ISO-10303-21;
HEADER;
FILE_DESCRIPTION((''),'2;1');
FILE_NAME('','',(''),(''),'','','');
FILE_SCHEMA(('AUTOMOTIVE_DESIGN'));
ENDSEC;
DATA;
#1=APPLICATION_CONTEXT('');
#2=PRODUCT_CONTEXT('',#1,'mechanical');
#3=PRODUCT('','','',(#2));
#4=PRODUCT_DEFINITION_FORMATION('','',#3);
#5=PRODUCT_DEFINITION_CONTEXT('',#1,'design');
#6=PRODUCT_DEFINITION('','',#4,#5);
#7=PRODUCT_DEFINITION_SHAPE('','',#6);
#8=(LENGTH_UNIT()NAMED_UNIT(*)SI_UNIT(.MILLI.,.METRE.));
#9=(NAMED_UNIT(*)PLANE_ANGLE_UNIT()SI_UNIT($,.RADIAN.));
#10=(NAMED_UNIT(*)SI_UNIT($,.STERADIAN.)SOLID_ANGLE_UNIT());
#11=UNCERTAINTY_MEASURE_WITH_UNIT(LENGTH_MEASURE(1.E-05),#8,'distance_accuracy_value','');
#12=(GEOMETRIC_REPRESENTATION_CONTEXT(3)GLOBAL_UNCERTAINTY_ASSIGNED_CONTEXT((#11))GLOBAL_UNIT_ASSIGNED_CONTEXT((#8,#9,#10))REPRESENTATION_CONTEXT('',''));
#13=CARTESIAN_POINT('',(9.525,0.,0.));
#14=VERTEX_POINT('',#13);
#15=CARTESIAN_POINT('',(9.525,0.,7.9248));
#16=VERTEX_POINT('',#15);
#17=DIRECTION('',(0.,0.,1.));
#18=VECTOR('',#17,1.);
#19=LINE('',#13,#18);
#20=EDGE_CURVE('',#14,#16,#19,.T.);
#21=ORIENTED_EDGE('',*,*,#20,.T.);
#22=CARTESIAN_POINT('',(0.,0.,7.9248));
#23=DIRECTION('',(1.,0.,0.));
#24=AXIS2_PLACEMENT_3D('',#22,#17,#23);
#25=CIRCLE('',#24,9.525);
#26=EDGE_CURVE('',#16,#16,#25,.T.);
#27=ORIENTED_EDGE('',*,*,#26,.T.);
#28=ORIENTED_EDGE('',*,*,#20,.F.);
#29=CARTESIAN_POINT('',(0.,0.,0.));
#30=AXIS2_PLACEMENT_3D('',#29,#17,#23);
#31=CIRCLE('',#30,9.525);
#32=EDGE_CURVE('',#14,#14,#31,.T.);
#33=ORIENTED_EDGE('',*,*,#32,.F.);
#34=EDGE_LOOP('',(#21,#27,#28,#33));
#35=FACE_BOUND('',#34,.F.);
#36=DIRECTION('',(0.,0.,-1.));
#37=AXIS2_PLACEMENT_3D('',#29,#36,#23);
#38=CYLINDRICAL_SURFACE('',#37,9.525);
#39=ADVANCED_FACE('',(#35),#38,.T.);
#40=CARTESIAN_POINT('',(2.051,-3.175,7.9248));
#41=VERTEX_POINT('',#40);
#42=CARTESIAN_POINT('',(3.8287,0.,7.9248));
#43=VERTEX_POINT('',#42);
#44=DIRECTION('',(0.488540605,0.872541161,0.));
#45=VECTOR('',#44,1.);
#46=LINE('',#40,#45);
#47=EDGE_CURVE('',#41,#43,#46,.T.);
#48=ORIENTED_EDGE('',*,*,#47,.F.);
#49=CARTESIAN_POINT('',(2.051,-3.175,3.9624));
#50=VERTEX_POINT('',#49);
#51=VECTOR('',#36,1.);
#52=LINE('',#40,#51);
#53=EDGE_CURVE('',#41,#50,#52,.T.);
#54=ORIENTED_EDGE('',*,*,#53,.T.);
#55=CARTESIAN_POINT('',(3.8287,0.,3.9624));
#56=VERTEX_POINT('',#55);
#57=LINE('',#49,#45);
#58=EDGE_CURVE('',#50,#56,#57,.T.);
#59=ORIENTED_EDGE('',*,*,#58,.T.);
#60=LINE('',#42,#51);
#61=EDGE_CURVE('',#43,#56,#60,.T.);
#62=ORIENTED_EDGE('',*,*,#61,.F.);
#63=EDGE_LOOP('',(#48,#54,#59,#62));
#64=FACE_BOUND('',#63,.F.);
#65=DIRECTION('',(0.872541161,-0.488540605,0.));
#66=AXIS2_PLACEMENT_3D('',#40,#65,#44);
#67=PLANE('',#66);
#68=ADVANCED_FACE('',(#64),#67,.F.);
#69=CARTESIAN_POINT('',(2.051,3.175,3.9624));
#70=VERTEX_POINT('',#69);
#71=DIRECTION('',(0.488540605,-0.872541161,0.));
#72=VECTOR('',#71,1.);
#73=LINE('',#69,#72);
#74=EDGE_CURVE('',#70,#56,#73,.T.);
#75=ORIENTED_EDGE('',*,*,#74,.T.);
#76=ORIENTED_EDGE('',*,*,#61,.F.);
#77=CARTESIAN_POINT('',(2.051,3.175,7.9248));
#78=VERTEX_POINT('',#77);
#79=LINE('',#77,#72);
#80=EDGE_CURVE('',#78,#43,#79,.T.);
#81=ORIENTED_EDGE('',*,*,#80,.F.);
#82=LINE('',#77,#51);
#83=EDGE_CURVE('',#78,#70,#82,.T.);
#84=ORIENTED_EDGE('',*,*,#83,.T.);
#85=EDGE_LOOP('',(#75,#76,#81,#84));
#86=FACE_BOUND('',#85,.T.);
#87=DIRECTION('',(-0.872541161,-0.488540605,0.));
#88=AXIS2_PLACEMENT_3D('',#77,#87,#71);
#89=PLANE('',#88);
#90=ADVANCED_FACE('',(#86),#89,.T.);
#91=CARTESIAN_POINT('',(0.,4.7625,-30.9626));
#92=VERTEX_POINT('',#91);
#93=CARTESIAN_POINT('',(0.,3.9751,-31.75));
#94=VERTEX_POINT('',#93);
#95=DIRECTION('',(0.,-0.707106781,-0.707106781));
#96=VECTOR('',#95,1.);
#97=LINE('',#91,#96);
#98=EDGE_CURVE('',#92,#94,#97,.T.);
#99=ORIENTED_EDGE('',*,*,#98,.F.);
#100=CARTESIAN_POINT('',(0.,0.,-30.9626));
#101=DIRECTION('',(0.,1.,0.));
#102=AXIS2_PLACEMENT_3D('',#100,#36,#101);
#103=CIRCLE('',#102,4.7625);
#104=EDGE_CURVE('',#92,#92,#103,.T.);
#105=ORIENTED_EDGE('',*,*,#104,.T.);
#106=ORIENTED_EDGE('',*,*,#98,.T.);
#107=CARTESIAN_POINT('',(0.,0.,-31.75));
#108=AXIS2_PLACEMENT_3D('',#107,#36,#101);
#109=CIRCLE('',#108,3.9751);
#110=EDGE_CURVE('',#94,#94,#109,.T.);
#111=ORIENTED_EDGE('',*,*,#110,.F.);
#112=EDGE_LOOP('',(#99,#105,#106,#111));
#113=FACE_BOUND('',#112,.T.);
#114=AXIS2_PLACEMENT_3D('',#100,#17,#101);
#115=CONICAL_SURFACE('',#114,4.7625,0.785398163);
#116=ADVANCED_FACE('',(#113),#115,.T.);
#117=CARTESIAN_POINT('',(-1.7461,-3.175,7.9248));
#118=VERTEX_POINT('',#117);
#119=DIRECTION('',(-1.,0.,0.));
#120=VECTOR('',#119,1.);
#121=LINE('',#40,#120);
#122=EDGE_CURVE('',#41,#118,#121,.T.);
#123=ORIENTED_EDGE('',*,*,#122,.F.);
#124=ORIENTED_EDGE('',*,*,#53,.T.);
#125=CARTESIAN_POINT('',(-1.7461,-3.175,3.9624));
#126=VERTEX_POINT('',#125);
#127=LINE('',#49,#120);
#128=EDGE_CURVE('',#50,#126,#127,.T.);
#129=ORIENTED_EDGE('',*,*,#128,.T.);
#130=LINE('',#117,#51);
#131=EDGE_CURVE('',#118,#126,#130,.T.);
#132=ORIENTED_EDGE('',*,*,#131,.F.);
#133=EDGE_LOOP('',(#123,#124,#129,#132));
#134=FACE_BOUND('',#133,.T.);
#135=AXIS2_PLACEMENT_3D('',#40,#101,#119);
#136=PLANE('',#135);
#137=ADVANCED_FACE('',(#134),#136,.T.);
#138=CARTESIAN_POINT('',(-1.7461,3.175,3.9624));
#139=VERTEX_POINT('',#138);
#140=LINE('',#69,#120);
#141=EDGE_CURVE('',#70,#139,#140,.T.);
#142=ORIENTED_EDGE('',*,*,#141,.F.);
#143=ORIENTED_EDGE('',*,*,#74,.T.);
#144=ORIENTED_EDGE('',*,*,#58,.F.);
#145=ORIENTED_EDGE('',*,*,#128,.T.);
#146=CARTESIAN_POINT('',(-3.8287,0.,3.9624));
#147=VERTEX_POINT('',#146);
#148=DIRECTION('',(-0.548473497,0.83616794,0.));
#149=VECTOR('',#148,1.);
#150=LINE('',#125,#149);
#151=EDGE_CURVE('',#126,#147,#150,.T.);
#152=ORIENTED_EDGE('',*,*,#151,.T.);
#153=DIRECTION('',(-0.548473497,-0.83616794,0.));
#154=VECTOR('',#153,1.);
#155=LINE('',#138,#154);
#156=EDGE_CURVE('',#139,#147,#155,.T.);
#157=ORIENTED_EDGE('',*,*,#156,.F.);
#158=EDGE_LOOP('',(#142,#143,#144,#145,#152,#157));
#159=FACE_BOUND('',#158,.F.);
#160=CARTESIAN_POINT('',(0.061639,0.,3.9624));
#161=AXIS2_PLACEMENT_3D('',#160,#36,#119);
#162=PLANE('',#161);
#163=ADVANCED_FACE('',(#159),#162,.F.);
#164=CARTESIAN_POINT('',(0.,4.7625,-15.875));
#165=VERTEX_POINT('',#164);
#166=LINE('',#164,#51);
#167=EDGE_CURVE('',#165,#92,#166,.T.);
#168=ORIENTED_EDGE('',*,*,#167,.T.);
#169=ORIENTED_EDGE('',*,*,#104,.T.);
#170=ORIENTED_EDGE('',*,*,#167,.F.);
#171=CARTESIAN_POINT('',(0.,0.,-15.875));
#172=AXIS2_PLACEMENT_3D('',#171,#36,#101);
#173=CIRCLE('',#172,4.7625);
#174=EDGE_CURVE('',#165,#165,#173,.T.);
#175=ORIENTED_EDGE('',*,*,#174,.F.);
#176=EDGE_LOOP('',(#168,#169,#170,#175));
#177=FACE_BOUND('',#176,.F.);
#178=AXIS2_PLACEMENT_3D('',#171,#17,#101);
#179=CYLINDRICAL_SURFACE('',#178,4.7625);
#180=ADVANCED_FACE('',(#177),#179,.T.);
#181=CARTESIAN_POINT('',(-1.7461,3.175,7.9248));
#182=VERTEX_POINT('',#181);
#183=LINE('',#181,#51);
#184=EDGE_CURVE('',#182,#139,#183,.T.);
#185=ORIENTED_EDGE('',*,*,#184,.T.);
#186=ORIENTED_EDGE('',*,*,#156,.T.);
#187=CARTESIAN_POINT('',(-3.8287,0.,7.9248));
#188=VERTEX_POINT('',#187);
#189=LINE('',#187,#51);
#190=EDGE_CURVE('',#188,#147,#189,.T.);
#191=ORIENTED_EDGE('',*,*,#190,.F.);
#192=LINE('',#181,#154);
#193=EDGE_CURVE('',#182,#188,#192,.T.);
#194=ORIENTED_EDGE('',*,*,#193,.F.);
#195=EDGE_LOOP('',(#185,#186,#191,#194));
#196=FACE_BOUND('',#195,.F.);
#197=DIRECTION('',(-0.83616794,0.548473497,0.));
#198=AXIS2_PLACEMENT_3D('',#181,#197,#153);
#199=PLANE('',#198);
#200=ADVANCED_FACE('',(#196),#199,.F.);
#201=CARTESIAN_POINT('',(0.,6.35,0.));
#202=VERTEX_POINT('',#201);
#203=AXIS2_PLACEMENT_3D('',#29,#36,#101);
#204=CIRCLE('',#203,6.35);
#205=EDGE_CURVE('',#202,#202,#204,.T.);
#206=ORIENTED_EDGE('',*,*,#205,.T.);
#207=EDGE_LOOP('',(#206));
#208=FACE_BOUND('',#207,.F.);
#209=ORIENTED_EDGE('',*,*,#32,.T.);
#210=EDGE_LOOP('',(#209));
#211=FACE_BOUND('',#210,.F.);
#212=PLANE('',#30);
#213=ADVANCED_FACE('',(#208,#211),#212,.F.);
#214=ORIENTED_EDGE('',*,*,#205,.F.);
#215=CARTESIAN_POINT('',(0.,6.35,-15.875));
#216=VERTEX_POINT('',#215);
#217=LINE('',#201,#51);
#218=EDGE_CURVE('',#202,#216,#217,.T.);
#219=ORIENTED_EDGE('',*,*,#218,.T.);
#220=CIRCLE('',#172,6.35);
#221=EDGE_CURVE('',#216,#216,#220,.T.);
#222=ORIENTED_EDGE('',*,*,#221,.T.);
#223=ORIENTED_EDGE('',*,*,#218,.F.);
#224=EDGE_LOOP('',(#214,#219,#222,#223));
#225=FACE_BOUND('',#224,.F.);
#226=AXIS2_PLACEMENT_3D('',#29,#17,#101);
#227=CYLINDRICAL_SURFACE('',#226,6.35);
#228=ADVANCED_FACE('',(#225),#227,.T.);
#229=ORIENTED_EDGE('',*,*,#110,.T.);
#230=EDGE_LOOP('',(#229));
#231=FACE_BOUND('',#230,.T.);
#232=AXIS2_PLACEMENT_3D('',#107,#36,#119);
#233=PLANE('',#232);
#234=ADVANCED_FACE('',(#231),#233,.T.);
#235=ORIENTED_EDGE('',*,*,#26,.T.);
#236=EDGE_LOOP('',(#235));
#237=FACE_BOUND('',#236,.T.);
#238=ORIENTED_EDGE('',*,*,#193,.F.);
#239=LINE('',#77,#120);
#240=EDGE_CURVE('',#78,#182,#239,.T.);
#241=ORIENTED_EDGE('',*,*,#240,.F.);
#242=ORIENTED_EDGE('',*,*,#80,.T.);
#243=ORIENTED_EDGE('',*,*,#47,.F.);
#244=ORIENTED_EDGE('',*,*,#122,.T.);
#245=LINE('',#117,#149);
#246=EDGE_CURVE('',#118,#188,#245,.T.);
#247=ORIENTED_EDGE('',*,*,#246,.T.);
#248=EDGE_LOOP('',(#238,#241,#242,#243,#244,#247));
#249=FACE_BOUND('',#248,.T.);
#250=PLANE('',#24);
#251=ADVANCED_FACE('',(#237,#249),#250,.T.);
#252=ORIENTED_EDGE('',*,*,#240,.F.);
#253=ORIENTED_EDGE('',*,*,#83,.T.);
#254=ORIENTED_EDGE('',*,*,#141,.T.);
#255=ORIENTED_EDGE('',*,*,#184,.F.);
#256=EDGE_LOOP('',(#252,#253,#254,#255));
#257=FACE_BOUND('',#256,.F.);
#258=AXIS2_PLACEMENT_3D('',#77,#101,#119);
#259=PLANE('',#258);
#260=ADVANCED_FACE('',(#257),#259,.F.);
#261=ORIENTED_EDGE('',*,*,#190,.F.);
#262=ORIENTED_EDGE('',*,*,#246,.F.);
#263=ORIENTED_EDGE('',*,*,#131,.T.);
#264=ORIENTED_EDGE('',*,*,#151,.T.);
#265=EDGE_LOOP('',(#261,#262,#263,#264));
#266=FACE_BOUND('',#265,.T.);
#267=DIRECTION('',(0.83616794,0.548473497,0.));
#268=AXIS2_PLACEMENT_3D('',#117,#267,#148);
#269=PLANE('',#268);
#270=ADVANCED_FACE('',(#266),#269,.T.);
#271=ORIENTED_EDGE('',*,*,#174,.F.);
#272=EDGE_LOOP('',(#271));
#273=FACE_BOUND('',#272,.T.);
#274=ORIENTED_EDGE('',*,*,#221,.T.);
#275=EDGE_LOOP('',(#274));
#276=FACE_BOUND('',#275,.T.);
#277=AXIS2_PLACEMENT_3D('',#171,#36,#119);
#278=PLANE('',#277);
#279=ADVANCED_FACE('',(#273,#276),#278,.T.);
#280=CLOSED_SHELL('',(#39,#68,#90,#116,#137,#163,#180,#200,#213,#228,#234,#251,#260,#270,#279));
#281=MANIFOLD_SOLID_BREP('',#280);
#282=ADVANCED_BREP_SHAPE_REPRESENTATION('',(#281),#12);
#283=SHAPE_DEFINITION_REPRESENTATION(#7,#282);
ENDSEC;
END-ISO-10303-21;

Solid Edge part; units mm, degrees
sketch "Sketch1" plane through (0, 0, 0) normal (0, 0, 1) x (1, 0, 0)
  circle A0 centre (0, 0) radius 9.525
  dimension "D1" = 19.05
extrude "Protrusion1" add sketch "Sketch1" along normal blind 7.9248
sketch "Sketch2" plane through (0, 0, 0) normal (0, 0, -1) x (0, 1, 0)
  circle A0 centre (0, 0) radius 6.35
  dimension "D1" = 12.7
extrude "Protrusion2" add sketch "Sketch2" along normal blind 15.875
sketch "Sketch3" plane through (0, 0, -15.875) normal (0, 0, -1) x (0, 1, 0)
  circle A0 centre (0, 0) radius 4.7625
  dimension "D1" = 9.525
extrude "Protrusion3" add sketch "Sketch3" along normal blind 15.875
sketch "Sketch4" plane through (0, 0, 7.9248) normal (0, 0, 1) x (0, 1, 0)
  line L0 (-3.175, 1.7461) -> (0, 3.8287)
  line L1 (-3.175, -2.051) -> (-3.175, 1.7461)
  line L2 (-3.175, -2.051) -> (0, -3.8287)
  line L3 (3.175, -2.051) -> (0, -3.8287)
  line L4 (3.175, -2.051) -> (3.175, 1.7461)
  line L5 (3.175, 1.7461) -> (0, 3.8287)
  dimension "D1" = 6.35
extrude "Cutout1" cut sketch "Sketch4" against normal blind 3.9624
chamfer "Chamfer1" distance 0.7874 angle 45 1 edges at (0, -4.7625, -31.75)
properties part number "192405"
